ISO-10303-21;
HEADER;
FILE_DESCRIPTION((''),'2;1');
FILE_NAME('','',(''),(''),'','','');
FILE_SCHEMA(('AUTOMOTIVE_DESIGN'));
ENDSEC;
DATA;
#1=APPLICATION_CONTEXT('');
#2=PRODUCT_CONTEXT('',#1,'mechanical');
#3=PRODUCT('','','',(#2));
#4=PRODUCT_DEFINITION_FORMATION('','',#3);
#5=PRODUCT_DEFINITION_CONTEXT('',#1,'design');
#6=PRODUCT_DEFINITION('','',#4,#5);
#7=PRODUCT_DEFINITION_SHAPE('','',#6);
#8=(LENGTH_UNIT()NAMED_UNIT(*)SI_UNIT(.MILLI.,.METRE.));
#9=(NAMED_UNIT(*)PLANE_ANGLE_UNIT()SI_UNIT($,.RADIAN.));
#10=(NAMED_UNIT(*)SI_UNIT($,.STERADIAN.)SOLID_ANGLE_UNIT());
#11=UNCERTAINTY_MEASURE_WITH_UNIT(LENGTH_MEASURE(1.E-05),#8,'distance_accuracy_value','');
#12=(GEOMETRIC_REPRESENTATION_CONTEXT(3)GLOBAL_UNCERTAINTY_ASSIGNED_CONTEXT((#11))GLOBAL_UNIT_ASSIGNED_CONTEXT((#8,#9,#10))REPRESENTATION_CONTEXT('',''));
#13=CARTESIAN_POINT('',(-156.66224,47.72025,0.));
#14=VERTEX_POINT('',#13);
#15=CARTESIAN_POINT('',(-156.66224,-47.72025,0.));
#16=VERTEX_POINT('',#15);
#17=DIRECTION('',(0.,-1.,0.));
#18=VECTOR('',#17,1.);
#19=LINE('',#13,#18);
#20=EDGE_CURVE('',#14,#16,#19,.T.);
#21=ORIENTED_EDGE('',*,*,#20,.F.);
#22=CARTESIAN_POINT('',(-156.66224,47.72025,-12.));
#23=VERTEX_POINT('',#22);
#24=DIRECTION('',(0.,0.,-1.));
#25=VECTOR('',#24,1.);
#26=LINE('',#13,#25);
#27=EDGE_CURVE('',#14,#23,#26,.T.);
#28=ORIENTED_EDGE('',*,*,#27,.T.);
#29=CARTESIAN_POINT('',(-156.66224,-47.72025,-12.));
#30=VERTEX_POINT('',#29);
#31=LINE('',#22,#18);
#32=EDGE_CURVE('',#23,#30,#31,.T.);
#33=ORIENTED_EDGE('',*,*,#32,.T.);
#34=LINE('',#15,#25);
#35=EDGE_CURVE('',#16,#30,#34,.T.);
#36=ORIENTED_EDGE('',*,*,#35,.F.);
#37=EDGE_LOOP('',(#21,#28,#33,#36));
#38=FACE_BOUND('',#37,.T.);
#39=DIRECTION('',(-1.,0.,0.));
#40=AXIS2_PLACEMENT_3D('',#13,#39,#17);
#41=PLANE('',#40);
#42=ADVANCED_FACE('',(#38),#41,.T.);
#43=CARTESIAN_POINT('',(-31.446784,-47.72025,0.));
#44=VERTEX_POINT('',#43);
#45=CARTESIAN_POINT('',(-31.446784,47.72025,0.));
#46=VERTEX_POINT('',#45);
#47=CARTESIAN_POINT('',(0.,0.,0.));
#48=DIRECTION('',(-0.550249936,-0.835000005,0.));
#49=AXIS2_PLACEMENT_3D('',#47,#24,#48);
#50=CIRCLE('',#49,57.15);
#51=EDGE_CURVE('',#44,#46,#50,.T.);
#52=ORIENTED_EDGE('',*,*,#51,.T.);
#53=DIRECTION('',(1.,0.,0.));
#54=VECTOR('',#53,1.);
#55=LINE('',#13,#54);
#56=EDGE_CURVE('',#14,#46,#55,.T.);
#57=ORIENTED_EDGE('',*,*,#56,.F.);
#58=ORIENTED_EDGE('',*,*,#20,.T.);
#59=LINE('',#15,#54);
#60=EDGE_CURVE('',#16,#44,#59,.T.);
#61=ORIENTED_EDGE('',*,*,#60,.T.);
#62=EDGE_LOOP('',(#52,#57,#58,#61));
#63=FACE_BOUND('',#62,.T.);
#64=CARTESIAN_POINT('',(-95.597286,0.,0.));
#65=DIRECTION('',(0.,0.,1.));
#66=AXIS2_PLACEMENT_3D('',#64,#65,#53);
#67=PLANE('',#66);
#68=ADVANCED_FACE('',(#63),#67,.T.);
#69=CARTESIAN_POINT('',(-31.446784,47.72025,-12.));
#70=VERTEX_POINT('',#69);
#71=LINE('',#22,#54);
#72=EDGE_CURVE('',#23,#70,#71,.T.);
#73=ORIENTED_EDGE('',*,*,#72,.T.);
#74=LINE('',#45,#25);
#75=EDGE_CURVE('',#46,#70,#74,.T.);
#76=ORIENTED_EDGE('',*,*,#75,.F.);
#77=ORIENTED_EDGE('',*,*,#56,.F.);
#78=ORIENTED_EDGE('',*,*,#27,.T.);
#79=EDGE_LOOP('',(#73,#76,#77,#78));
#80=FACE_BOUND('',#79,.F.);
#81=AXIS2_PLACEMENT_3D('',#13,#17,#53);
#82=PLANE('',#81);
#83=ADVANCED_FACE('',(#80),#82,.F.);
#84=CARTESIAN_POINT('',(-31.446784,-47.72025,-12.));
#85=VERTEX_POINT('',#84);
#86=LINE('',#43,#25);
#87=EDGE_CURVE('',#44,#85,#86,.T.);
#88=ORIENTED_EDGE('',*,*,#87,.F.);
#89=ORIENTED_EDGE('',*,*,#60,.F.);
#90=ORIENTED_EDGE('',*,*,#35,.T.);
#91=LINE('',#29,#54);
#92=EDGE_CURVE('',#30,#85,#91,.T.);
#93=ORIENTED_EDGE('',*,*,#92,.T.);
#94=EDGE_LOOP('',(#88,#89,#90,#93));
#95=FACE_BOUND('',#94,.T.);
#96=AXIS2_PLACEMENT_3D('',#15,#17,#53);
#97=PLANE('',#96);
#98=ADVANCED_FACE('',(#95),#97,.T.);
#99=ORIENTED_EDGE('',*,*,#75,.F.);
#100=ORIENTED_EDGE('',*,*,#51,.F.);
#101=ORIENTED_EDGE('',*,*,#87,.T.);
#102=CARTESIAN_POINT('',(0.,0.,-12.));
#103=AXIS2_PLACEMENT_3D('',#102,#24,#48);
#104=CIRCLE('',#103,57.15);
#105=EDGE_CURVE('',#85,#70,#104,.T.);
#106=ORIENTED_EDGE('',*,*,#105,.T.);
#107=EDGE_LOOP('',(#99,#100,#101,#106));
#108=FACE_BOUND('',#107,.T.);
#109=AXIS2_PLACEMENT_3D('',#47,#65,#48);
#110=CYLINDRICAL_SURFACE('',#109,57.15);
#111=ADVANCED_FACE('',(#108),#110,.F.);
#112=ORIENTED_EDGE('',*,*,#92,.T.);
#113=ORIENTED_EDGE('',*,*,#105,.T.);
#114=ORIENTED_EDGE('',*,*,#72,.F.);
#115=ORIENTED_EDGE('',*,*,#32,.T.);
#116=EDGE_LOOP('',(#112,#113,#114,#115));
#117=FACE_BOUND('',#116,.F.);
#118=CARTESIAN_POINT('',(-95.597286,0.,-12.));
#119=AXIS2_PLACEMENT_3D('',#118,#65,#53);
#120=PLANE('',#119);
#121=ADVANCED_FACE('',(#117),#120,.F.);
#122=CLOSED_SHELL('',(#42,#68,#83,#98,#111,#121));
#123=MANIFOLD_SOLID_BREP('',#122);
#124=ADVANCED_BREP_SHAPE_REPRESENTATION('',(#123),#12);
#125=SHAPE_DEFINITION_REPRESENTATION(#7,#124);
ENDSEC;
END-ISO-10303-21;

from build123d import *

# Parameters (mm, degrees)
PAD_DEPTH = 12


with BuildPart() as part:
    # Sketch → Pad (new body)
    with BuildSketch(Plane(origin=(0, 0, 0), x_dir=(-1, 0, 0), z_dir=(0, 0, -1))):
        with BuildLine():
            Line((156.66224, 47.72025), (156.66224, -47.72025))
            Line((156.66224, -47.72025), (31.446784, -47.72025))
            ThreePointArc((31.446784, -47.72025), (57.15, 0), (31.446784, 47.72025))
            Line((156.66224, 47.72025), (31.446784, 47.72025))
        make_face()
    extrude(amount=PAD_DEPTH)


solid = part.part
